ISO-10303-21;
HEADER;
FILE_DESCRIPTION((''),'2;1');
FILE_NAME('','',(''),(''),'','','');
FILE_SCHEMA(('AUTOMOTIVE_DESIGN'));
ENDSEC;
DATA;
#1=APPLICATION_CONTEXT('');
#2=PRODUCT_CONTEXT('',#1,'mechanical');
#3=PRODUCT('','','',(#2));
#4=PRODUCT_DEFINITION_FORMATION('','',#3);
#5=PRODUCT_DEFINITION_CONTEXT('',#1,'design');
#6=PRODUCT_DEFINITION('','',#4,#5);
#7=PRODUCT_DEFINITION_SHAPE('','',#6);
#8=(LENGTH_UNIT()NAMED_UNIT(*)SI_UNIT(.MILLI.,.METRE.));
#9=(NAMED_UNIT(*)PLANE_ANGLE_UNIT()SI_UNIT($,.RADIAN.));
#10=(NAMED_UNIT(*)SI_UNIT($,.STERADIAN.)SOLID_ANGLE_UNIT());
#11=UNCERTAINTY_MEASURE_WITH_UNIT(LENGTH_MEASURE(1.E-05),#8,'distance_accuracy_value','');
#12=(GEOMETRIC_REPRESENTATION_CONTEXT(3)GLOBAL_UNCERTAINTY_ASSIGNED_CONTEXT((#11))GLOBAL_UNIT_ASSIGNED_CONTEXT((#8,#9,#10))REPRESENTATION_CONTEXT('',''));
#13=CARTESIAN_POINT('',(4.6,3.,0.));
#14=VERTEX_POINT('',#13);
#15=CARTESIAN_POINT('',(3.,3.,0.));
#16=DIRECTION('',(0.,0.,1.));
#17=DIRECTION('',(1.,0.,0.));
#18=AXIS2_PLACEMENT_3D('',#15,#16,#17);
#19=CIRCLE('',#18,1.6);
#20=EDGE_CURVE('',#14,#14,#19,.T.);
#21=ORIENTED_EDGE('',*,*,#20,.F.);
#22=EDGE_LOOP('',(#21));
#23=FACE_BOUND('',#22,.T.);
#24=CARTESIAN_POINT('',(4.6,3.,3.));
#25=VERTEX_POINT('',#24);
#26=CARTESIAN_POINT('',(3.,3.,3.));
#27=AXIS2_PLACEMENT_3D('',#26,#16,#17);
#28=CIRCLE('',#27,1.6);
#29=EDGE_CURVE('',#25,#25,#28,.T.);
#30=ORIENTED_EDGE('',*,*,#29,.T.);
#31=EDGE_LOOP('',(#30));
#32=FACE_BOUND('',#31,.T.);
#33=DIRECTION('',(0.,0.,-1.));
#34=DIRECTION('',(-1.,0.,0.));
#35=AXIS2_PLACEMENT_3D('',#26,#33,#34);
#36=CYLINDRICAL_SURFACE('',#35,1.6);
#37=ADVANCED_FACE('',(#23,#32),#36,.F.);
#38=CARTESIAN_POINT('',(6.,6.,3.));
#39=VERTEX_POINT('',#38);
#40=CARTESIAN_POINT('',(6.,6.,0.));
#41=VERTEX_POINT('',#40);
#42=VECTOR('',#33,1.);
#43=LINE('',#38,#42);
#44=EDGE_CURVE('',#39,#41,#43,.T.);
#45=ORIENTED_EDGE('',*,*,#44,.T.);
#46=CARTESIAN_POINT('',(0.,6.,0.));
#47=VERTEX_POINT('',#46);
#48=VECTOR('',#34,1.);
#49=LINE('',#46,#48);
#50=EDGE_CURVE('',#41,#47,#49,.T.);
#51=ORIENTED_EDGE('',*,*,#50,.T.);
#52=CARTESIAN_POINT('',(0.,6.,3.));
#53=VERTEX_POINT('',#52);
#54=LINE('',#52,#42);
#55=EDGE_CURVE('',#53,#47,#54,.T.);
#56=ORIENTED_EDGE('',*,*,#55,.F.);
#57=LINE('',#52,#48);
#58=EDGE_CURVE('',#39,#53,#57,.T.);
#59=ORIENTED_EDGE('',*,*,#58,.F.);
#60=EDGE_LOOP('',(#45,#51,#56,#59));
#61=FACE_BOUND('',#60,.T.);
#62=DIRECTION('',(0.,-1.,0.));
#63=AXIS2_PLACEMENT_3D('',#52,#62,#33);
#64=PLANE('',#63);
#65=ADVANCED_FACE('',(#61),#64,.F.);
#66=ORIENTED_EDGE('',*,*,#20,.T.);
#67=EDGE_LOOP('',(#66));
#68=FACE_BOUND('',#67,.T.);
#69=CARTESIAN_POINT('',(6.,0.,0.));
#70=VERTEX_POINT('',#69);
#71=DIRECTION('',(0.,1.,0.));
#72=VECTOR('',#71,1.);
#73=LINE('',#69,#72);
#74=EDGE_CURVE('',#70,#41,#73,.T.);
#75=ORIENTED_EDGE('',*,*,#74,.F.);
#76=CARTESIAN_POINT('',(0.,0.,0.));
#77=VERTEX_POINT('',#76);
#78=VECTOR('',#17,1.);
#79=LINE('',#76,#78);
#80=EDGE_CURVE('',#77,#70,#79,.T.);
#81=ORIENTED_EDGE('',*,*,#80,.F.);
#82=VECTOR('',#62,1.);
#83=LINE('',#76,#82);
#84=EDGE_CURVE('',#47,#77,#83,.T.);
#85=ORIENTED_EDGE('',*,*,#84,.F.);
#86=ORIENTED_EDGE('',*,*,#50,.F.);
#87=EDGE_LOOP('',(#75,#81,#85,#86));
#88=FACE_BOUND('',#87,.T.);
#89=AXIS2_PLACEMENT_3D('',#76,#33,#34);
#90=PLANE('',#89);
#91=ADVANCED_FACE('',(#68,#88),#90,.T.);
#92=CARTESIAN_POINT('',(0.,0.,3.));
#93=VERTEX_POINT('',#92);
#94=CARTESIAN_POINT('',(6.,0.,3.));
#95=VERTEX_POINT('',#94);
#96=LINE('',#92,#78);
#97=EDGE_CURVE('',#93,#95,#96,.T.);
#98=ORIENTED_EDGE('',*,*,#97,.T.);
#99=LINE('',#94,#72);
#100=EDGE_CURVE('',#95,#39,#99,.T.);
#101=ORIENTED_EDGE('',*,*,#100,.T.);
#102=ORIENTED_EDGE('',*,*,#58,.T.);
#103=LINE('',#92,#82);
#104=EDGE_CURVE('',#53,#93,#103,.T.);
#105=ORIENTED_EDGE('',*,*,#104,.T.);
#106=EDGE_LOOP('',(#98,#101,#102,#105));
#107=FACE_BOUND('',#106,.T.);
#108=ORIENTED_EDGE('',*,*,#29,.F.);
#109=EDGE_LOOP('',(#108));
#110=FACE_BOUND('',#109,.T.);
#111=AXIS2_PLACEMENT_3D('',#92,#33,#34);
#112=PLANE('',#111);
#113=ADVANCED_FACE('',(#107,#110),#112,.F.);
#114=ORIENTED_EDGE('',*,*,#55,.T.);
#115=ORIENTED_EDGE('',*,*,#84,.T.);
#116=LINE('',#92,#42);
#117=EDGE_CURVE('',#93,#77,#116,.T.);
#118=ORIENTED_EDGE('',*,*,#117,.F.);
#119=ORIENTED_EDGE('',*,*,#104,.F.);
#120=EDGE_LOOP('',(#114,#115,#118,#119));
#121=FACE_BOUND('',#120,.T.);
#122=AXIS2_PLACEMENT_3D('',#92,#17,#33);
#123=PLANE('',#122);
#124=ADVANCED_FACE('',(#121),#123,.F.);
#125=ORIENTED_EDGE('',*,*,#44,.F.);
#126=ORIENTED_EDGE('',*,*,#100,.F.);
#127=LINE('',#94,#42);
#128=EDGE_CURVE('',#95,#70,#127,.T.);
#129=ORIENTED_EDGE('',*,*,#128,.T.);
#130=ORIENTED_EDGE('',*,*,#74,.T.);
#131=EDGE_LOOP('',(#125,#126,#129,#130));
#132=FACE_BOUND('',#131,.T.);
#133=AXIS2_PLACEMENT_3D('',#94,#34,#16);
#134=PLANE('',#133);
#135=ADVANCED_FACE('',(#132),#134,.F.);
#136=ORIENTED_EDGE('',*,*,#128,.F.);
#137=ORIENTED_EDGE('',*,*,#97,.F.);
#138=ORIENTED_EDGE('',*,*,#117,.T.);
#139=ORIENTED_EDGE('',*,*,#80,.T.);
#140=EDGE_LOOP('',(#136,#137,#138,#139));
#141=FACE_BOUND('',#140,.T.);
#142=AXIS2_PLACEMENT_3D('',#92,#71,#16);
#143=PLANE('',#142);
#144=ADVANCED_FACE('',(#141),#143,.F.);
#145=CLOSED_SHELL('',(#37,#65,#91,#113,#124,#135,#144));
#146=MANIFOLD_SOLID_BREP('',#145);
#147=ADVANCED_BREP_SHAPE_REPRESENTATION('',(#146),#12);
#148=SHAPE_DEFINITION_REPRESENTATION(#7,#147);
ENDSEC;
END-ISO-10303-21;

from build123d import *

# Parameters (mm, degrees)
SKETCH1_W           = 6
SKETCH1_H           = 6
SKETCH1_R           = 1.6
BOSS_EXTRUDE1_DEPTH = 3


with BuildPart() as part:
    # Sketch1 → Boss-Extrude1 (new body)
    with BuildSketch(Plane.XY):
        with Locations((3, 3)):
            Rectangle(SKETCH1_W, SKETCH1_H)
        with Locations((3, 3)):
            Circle(SKETCH1_R, mode=Mode.SUBTRACT)
    extrude(amount=BOSS_EXTRUDE1_DEPTH)


solid = part.part
